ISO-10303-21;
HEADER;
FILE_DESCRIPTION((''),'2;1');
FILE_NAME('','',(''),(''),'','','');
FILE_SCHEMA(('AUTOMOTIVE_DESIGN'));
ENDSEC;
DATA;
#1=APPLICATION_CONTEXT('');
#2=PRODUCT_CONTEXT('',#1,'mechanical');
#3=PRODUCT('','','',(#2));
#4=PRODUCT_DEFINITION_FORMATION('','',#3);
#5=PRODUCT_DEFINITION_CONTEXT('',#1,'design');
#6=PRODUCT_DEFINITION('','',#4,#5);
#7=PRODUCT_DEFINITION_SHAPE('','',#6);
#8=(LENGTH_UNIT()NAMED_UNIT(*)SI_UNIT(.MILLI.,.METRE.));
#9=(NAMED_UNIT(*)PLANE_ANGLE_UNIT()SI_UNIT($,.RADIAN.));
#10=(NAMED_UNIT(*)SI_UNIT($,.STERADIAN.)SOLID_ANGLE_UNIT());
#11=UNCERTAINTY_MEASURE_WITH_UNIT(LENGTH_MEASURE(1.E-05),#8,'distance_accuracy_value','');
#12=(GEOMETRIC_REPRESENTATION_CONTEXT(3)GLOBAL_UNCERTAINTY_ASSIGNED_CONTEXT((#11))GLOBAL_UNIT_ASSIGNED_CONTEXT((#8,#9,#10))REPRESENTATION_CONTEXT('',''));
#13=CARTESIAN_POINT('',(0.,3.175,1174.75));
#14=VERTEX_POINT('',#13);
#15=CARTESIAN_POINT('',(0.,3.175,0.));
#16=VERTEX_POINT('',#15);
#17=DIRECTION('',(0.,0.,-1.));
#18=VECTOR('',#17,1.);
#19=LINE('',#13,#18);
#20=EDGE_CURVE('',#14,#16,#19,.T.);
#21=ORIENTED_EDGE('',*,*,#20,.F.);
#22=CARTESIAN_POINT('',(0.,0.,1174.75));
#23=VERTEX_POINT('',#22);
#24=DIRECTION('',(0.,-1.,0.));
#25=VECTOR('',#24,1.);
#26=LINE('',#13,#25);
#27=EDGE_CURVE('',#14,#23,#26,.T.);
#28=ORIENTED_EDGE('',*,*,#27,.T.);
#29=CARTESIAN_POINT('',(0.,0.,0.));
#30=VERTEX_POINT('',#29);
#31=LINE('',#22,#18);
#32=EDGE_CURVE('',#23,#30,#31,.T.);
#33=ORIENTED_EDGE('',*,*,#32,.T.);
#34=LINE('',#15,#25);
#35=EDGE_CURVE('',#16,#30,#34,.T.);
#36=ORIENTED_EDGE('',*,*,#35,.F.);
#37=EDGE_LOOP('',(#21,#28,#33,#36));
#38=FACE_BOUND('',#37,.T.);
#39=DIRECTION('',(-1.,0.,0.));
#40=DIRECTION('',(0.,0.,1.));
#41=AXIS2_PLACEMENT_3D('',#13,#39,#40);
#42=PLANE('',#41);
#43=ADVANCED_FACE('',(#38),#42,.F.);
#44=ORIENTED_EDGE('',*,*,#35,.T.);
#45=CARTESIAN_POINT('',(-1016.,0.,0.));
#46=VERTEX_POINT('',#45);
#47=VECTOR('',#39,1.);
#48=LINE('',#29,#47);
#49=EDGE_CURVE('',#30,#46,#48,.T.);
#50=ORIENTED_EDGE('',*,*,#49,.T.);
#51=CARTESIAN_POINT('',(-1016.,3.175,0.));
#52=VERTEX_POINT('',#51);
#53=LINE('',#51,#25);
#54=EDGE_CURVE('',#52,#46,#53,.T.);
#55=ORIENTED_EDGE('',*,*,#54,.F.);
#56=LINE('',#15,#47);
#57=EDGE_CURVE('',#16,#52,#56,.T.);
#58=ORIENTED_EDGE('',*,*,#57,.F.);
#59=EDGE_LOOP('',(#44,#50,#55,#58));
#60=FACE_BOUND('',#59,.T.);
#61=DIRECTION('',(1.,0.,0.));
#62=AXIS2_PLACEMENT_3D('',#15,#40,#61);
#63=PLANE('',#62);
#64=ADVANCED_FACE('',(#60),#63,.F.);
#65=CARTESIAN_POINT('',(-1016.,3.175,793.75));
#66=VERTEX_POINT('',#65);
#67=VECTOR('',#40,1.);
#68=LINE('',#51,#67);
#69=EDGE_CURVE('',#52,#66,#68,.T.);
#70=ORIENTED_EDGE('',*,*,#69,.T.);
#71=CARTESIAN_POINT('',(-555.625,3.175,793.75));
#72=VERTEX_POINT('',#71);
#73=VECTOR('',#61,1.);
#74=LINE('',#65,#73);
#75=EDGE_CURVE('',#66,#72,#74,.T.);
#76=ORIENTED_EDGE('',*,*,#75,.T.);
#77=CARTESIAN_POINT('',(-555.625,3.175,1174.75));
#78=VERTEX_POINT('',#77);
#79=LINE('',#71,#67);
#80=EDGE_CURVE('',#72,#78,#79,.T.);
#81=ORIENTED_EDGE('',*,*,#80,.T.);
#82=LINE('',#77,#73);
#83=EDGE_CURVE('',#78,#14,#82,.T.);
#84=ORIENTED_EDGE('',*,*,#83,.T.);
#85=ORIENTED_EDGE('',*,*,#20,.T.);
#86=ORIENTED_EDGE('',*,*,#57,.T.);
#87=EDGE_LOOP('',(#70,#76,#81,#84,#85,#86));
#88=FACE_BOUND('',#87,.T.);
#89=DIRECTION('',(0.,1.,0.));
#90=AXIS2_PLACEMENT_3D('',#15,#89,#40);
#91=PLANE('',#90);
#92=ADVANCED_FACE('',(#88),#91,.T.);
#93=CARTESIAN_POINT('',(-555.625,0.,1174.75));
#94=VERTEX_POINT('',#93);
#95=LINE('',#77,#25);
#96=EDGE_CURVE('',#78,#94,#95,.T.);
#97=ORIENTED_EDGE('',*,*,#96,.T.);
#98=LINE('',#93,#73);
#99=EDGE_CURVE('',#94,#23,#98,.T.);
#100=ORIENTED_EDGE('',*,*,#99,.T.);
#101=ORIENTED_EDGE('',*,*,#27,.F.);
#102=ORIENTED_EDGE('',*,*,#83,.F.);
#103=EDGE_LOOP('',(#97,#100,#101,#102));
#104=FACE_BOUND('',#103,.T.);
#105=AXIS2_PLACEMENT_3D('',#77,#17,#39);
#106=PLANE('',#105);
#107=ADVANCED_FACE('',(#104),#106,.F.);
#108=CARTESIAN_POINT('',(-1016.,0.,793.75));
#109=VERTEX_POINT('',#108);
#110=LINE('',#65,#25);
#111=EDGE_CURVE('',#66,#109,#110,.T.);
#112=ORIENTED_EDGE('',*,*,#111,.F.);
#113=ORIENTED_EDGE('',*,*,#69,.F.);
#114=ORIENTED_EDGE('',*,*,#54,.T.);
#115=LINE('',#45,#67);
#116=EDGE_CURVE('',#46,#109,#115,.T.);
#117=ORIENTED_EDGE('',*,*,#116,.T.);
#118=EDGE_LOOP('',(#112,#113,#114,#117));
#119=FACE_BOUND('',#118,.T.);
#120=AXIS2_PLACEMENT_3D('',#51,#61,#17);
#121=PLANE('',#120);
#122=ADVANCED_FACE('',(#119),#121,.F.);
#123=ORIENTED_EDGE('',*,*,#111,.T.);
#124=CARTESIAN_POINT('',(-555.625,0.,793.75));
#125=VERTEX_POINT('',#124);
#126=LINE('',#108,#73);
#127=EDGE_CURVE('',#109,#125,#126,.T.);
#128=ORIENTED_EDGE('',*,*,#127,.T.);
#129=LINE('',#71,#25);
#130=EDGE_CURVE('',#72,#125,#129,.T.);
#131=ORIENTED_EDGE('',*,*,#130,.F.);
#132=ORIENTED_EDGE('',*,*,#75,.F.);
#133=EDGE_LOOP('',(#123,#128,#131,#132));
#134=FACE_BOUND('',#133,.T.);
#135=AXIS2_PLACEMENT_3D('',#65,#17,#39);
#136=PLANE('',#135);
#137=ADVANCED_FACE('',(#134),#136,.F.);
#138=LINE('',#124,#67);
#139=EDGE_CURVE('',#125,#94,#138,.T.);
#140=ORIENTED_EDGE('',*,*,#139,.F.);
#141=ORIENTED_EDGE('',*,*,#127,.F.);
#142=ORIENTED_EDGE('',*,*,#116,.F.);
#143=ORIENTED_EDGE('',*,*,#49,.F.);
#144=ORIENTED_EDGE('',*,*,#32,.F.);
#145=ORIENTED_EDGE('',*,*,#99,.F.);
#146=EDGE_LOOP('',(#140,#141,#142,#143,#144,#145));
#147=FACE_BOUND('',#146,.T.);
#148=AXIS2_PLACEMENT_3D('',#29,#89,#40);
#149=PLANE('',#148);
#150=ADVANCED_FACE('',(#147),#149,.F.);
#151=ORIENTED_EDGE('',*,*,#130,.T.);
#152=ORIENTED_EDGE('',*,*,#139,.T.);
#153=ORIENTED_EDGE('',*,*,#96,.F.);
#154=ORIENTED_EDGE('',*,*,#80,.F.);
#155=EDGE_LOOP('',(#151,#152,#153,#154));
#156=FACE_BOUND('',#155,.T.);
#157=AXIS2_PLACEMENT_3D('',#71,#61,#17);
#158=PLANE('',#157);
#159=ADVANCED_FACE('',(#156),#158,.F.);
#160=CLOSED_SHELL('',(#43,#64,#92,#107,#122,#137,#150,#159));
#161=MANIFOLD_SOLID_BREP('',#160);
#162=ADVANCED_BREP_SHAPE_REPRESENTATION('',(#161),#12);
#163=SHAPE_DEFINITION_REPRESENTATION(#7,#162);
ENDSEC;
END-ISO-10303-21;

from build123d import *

# Parameters (mm, degrees)
BOSS_EXTRUDE1_DEPTH = 3.175


with BuildPart() as part:
    # Sketch1 → Boss-Extrude1 (new body)
    with BuildSketch(Plane(origin=(0, 0, 0), x_dir=(1, 0, 0), z_dir=(0, 1, 0))):
        Polygon((0, 0), (-1016, 0), (-1016, -793.75), (-555.625, -793.75), (-555.625, -1174.75), (0, -1174.75), align=None)
    extrude(amount=BOSS_EXTRUDE1_DEPTH)


solid = part.part
